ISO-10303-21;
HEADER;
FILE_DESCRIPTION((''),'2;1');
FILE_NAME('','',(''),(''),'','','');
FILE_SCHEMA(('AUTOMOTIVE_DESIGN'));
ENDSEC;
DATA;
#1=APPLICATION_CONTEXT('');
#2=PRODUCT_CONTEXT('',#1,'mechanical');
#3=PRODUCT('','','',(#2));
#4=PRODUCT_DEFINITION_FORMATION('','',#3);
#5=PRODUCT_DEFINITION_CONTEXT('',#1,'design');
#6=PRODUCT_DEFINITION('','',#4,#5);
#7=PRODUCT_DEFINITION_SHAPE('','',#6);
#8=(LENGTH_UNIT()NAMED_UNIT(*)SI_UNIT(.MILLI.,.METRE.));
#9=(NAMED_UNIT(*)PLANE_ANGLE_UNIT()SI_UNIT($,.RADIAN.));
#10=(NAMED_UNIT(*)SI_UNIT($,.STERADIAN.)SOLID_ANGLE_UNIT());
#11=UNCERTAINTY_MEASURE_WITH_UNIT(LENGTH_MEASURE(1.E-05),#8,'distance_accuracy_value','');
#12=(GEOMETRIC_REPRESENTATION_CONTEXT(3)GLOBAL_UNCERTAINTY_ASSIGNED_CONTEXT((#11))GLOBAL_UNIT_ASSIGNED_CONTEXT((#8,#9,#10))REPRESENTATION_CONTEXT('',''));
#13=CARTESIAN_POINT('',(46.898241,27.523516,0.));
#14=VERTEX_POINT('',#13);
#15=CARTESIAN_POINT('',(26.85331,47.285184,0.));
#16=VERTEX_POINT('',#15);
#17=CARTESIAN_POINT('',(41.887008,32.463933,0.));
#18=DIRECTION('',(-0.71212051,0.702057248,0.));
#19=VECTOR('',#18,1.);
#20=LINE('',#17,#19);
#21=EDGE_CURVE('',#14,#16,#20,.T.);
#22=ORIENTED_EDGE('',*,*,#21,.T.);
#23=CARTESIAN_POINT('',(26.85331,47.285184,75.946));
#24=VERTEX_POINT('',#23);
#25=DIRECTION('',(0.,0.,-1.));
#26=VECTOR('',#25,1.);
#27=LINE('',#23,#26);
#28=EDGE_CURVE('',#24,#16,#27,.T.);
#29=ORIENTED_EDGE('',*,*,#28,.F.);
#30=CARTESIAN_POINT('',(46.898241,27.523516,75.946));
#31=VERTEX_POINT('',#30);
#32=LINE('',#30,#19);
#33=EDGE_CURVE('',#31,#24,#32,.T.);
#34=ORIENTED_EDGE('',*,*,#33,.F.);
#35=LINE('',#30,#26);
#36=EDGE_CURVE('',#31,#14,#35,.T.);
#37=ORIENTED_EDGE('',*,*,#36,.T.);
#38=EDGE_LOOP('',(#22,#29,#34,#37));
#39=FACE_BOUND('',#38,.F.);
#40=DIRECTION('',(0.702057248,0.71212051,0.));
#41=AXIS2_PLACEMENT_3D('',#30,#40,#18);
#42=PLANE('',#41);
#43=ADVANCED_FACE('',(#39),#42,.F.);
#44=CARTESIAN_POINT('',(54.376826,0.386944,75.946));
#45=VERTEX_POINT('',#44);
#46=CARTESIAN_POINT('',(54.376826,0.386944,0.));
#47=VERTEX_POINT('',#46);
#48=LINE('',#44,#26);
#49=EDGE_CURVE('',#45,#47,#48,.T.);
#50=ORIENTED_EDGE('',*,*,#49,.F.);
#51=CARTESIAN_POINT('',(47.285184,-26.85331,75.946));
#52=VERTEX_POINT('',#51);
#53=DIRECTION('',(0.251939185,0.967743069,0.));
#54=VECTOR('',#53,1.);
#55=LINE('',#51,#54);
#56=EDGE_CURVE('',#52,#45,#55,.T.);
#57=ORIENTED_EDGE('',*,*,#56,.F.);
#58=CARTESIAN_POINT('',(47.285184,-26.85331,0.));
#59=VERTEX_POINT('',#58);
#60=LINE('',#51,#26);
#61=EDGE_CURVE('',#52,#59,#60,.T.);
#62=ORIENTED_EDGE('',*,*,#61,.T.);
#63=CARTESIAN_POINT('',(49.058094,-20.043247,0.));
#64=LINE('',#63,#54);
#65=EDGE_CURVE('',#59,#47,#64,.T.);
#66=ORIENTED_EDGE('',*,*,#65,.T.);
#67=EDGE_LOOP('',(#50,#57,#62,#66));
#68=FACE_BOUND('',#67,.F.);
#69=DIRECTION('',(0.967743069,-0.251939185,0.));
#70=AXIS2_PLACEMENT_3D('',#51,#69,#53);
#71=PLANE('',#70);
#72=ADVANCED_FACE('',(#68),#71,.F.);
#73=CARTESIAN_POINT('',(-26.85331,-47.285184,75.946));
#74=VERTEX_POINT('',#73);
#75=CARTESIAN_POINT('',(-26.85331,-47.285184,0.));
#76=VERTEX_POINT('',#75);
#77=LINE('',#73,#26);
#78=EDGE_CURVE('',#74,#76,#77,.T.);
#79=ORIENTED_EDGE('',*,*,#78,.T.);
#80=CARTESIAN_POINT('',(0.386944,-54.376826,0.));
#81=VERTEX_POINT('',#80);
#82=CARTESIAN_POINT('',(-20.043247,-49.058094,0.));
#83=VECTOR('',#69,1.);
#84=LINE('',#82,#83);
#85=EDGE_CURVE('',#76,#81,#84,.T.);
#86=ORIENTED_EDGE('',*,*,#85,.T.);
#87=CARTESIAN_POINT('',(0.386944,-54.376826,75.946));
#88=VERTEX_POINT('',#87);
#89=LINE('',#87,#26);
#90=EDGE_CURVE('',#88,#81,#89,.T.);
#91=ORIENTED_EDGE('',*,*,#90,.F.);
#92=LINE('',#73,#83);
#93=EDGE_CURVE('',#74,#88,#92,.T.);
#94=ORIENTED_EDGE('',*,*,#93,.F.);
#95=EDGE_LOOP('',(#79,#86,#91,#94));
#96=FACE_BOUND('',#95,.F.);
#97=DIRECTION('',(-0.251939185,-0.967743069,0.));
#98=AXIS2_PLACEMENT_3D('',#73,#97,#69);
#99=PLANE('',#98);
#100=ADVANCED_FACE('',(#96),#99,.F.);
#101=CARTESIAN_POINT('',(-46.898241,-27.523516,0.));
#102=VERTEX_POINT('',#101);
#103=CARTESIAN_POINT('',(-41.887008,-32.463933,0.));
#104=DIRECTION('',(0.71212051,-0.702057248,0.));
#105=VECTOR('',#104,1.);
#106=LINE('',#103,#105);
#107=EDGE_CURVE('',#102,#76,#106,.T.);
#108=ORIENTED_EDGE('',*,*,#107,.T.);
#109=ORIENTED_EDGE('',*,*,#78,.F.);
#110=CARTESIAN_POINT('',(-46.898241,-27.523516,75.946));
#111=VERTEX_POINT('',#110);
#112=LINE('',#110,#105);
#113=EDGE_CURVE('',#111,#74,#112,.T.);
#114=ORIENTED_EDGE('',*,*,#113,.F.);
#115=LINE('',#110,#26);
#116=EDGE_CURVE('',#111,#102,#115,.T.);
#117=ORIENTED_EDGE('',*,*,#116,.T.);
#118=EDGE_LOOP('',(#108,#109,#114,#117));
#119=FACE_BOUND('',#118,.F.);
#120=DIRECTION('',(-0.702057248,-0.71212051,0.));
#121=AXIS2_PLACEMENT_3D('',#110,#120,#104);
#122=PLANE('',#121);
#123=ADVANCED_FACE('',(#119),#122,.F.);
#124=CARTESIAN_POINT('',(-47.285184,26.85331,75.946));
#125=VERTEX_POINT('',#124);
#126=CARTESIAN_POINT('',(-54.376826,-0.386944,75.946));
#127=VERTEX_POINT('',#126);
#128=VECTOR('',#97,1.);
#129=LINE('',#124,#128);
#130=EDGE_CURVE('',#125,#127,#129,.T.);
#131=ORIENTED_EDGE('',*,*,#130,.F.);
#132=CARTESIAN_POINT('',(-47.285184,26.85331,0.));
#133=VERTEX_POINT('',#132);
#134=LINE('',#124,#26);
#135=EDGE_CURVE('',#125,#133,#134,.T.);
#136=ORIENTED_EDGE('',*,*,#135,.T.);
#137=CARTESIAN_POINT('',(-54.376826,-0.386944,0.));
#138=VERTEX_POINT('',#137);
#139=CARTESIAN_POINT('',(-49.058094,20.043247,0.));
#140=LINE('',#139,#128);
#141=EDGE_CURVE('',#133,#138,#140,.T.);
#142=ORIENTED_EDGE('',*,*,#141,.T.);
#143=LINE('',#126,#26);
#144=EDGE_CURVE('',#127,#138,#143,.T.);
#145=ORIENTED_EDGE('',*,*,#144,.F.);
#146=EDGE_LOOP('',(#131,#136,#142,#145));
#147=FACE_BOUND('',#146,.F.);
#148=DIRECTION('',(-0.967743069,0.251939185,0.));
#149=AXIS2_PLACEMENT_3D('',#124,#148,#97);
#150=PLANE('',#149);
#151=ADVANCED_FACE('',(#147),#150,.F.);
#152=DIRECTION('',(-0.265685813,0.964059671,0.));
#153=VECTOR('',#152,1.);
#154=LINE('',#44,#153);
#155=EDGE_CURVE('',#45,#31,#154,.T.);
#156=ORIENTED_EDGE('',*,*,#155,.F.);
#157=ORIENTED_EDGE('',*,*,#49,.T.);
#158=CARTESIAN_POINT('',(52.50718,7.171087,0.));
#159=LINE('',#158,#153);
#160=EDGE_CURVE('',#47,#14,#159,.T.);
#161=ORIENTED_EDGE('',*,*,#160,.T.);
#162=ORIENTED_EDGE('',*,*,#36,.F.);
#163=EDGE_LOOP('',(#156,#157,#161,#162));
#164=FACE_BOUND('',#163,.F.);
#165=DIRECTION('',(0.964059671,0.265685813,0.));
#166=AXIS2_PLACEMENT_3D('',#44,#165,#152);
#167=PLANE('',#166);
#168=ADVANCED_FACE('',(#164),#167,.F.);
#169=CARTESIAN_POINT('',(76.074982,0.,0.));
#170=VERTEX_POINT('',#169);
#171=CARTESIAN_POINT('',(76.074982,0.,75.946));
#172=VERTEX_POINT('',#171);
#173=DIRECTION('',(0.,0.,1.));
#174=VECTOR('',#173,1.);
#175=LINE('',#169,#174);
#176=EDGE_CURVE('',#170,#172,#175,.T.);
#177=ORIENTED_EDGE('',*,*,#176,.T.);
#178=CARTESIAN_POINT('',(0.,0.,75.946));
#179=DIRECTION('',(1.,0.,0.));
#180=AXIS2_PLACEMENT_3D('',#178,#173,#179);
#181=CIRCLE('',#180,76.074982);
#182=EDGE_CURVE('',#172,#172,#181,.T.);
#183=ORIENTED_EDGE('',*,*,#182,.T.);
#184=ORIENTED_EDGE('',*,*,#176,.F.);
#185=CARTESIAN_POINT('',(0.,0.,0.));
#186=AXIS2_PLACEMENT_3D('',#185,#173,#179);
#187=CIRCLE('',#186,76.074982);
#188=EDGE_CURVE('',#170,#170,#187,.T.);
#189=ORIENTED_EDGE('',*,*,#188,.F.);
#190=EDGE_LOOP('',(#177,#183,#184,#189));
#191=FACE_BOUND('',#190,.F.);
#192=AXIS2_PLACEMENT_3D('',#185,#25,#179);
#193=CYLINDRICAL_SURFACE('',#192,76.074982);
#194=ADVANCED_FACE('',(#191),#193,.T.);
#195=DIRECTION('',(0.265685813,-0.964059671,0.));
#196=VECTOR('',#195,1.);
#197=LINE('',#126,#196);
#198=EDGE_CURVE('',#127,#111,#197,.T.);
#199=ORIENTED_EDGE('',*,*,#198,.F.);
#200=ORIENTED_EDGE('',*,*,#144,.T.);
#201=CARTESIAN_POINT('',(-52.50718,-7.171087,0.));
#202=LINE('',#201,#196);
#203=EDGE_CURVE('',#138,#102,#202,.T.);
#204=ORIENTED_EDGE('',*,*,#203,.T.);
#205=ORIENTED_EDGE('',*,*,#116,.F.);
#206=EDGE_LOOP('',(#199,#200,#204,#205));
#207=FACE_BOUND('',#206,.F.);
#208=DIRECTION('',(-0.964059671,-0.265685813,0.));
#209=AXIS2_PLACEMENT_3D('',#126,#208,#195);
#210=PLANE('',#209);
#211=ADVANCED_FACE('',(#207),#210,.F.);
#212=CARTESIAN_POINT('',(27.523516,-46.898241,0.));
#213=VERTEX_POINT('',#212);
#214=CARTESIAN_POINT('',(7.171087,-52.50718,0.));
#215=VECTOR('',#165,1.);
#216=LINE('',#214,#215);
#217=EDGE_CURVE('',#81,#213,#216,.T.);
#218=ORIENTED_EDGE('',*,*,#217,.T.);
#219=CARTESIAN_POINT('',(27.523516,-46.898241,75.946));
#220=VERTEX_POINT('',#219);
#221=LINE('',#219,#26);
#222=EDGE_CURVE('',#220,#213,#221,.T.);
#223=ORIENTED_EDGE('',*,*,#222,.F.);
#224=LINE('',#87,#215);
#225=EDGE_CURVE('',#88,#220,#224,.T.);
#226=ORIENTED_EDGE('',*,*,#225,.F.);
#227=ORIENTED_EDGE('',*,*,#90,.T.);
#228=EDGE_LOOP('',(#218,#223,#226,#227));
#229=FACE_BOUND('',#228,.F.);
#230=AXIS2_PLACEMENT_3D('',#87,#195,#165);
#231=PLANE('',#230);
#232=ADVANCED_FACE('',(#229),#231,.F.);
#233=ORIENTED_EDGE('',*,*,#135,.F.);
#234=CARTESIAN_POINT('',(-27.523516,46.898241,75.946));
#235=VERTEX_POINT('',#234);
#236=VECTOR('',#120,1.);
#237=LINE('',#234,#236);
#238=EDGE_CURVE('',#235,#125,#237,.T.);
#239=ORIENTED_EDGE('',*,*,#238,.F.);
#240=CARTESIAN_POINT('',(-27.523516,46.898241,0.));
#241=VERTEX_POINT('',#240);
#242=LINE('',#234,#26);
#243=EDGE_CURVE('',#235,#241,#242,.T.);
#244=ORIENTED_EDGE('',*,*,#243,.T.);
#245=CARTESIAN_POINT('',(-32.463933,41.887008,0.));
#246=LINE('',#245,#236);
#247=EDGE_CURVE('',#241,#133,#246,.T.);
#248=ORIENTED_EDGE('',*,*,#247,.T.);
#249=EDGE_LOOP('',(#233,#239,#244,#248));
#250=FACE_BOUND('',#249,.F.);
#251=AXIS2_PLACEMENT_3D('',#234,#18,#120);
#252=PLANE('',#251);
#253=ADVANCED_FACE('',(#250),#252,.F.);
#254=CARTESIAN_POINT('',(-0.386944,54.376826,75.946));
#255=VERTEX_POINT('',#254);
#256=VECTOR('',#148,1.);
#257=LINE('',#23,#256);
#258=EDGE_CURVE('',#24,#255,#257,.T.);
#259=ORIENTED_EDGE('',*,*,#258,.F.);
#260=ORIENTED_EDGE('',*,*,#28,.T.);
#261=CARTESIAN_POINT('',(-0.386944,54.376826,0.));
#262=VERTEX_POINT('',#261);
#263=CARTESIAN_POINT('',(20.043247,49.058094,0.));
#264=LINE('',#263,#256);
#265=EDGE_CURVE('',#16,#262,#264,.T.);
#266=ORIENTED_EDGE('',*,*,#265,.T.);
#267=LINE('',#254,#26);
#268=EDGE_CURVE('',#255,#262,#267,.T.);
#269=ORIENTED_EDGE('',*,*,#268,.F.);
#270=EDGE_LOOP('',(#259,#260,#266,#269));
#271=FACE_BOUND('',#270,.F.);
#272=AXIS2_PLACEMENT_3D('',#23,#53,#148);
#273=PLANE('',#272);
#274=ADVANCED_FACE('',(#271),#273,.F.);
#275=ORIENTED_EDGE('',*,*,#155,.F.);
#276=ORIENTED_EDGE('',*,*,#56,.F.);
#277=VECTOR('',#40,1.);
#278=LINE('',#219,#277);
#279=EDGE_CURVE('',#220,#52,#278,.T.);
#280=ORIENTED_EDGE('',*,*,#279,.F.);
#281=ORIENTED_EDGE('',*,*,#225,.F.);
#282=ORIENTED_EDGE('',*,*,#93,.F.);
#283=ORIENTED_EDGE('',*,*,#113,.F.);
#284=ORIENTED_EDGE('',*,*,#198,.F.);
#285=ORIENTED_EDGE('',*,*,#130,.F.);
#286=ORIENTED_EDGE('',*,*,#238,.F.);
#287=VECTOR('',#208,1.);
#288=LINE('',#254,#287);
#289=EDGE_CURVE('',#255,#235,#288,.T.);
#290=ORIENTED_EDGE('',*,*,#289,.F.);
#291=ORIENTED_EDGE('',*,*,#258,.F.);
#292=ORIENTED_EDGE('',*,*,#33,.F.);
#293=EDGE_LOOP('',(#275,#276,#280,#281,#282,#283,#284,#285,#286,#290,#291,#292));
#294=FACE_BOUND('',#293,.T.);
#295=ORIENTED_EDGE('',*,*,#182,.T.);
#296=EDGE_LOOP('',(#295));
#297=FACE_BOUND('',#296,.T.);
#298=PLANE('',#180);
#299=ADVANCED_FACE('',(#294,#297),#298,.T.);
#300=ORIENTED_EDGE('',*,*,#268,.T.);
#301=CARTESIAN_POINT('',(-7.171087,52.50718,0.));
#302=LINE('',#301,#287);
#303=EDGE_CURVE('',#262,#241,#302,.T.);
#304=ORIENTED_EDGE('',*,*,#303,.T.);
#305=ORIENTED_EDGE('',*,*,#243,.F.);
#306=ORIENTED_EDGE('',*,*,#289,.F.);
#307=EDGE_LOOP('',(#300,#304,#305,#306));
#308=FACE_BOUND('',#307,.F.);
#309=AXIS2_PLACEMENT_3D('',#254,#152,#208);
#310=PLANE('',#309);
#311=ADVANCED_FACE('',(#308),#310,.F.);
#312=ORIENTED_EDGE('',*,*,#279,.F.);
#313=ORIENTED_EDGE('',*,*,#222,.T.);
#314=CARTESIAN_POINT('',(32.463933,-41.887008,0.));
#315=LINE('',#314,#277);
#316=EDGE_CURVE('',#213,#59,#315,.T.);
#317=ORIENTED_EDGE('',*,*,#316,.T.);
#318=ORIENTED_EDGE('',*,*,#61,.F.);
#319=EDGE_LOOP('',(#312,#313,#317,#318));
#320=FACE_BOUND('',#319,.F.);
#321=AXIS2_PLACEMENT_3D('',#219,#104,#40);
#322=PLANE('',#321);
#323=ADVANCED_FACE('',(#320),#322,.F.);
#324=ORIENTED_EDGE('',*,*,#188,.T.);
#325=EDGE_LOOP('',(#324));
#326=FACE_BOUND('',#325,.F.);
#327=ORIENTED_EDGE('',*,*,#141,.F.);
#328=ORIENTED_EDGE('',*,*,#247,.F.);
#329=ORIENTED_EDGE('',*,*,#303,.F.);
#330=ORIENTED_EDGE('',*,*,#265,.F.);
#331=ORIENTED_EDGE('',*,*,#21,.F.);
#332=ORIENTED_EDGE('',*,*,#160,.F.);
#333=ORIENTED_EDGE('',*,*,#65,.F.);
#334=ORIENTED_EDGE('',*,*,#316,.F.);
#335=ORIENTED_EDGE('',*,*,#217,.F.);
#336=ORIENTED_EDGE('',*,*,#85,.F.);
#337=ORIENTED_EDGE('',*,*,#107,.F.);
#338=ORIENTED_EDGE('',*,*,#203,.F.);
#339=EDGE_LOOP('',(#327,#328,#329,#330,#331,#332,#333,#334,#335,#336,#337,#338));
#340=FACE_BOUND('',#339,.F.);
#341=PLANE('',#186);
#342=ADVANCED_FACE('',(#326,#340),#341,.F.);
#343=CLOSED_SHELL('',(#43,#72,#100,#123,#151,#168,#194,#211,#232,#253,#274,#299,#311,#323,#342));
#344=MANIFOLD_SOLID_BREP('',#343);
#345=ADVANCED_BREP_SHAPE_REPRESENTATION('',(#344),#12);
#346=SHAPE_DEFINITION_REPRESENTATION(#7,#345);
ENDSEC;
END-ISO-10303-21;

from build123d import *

# Parameters (mm, degrees)
F0_R     = 76.074982
F1_DEPTH = 75.946
F3_DEPTH = 149.098


with BuildPart() as f1:
    # F0 (on Top) → F1 (new body)
    with BuildSketch(Plane.XY):
        Circle(F0_R)
    extrude(amount=F1_DEPTH)

    # F2 (on face) → F3 (cut)
    with BuildSketch(Plane.XY.offset(75.946)):
        Polygon((27.523516, -46.898241), (47.285184, -26.85331), (54.376826, 0.386944), (46.898241, 27.523516), (26.85331, 47.285184), (-0.386944, 54.376826), (-27.523516, 46.898241), (-47.285184, 26.85331), (-54.376826, -0.386944), (-46.898241, -27.523516), (-26.85331, -47.285184), (0.386944, -54.376826), align=None)
    extrude(amount=-F3_DEPTH, mode=Mode.SUBTRACT)


solid = f1.part
